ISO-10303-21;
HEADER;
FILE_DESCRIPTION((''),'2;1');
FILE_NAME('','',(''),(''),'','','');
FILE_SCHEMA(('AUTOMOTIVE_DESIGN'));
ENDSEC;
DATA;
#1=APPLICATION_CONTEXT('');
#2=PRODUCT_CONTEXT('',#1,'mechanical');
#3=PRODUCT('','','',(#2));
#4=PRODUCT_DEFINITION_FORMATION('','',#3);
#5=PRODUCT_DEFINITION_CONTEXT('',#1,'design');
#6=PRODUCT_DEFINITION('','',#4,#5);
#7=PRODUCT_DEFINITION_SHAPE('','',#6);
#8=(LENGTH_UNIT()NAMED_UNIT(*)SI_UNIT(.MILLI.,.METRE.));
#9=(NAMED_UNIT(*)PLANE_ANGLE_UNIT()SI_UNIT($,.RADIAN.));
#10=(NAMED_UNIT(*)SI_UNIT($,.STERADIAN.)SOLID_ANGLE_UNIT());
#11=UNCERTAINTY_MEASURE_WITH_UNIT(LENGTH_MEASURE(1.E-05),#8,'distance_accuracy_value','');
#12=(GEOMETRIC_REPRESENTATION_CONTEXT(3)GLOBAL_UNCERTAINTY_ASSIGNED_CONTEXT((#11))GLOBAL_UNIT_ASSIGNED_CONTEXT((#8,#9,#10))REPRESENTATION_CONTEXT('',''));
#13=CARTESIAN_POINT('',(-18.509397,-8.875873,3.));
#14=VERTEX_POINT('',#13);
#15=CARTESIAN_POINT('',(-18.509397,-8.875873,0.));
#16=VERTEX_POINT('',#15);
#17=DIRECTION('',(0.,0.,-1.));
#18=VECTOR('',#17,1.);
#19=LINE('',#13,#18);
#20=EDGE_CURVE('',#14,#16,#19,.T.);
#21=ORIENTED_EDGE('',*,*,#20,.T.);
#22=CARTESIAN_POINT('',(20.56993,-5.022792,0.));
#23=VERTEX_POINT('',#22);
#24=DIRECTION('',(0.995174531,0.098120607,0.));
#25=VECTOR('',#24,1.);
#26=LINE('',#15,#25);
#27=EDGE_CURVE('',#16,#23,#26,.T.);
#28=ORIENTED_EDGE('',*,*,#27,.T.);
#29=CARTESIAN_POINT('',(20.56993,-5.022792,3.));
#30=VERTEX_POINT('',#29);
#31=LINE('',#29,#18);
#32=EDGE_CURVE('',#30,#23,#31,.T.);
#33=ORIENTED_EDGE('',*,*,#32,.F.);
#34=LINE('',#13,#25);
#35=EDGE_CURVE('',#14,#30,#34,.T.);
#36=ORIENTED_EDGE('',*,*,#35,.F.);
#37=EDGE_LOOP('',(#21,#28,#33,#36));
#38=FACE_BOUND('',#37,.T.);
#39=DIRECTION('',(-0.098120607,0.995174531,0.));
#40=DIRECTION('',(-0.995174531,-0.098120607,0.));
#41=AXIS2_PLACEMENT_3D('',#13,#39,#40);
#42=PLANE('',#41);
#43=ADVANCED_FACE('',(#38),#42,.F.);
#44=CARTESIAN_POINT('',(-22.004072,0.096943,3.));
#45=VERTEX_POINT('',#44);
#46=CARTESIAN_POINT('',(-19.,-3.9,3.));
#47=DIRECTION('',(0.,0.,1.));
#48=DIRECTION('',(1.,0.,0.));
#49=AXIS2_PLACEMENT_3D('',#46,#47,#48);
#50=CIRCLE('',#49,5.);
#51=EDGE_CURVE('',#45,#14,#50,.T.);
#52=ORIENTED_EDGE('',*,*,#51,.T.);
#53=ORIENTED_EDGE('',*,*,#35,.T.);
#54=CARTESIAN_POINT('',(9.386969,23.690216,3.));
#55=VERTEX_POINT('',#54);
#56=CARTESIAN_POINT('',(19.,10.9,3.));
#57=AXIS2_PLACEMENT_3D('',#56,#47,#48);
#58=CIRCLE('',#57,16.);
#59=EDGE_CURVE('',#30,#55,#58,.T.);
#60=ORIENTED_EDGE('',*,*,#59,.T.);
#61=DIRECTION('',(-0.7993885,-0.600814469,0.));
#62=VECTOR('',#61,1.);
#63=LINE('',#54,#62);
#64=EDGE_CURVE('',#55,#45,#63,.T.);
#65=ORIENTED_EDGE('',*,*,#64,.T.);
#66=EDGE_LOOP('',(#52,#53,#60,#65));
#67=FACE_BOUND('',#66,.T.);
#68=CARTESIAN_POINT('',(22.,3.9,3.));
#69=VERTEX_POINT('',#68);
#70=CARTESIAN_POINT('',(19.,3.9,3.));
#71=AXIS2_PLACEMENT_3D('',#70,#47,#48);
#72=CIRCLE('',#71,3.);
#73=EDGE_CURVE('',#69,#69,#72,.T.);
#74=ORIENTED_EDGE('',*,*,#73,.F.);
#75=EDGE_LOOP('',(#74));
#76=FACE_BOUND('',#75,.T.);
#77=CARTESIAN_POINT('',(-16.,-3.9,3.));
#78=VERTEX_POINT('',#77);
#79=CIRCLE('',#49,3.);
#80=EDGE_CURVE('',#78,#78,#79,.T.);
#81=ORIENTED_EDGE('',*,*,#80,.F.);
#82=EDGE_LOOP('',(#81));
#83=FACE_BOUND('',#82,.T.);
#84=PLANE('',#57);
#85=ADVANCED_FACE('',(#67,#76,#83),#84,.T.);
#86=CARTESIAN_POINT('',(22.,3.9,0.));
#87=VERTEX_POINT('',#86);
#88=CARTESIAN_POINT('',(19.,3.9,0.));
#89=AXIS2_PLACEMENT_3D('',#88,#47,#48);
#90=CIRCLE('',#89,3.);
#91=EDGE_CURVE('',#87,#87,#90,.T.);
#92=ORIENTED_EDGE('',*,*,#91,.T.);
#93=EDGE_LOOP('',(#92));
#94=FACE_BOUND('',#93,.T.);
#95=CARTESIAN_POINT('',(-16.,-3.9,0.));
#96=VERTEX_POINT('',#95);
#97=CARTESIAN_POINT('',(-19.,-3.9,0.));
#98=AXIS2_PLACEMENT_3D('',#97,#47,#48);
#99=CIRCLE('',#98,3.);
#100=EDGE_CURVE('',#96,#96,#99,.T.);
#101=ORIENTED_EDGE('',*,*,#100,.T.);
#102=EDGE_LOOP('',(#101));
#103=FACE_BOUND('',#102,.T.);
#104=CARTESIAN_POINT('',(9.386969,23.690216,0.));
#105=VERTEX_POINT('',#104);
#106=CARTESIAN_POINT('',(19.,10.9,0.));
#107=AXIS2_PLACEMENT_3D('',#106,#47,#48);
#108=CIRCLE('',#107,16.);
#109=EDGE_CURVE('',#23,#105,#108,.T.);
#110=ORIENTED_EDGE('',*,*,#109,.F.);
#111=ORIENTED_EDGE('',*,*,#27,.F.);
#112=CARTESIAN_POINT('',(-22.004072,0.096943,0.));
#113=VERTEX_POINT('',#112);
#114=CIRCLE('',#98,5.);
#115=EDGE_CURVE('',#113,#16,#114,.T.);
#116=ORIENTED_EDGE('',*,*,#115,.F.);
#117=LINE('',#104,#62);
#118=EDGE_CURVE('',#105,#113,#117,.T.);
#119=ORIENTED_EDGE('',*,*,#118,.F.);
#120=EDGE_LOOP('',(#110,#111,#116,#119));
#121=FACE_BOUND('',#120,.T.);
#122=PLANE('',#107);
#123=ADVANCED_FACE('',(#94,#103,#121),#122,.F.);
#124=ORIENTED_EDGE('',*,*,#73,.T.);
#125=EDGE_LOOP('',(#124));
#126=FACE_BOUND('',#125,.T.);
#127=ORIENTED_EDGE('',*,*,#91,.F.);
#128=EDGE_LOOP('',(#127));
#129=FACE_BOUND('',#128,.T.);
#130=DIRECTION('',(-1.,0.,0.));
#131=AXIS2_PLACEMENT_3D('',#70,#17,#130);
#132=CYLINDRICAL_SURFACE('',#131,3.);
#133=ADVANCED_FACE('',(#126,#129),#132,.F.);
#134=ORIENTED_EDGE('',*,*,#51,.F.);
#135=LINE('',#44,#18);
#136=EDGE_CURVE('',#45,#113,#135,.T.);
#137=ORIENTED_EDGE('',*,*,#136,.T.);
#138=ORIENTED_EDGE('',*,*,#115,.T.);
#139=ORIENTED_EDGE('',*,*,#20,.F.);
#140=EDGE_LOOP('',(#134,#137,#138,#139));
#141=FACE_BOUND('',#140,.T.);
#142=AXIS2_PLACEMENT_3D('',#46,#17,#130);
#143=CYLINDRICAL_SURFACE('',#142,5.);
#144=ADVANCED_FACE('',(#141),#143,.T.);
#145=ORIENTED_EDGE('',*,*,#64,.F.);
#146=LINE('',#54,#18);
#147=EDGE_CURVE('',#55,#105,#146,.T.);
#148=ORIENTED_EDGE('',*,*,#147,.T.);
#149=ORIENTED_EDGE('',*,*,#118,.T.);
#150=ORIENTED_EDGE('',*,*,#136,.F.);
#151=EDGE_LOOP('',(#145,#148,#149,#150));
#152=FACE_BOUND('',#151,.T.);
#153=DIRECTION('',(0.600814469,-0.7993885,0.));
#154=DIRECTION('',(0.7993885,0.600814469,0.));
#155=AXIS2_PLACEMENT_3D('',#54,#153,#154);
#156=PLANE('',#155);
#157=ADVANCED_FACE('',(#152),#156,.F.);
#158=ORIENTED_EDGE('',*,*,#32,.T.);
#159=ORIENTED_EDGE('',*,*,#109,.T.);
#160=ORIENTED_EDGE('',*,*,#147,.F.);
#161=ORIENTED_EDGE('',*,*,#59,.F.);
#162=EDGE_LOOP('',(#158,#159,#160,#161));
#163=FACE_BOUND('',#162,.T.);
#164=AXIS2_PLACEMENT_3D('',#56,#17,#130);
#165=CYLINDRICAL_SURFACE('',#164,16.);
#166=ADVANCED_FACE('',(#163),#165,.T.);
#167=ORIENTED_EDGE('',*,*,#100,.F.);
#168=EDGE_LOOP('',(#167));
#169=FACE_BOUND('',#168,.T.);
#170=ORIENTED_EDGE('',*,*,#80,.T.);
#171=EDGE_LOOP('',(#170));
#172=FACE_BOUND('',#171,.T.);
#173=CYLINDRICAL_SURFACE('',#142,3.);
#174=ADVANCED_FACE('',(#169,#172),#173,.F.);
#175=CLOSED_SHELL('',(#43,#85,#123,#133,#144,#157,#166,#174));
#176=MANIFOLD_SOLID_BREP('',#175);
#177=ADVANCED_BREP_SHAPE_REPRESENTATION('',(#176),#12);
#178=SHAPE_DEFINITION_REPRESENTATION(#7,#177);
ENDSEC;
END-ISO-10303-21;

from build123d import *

# Parameters (mm, degrees)
SKETCH_1_R      = 3
EXTRUDE_1_DEPTH = 3


with BuildPart() as part:
    # ｽｹｯﾁ1 → ﾎﾞｽ - 押し出し1 (new body)
    with BuildSketch(Plane.XY):
        with BuildLine():
            Line((9.386968503, 23.690216005), (-22.004072343, 0.096942501))
            ThreePointArc((-22.004072343, 0.096942501), (-23.659102375, -5.714597767), (-18.509396967, -8.875872653))
            Line((-18.509396967, -8.875872653), (20.569929707, -5.022792491))
            ThreePointArc((20.569929707, -5.022792491), (33.909127601, 16.706712855), (9.386968503, 23.690216005))
        make_face()
        with Locations((-19, -3.9)):
            Circle(SKETCH_1_R, mode=Mode.SUBTRACT)
        with Locations((19, 3.9)):
            Circle(SKETCH_1_R, mode=Mode.SUBTRACT)
    extrude(amount=EXTRUDE_1_DEPTH)


solid = part.part
